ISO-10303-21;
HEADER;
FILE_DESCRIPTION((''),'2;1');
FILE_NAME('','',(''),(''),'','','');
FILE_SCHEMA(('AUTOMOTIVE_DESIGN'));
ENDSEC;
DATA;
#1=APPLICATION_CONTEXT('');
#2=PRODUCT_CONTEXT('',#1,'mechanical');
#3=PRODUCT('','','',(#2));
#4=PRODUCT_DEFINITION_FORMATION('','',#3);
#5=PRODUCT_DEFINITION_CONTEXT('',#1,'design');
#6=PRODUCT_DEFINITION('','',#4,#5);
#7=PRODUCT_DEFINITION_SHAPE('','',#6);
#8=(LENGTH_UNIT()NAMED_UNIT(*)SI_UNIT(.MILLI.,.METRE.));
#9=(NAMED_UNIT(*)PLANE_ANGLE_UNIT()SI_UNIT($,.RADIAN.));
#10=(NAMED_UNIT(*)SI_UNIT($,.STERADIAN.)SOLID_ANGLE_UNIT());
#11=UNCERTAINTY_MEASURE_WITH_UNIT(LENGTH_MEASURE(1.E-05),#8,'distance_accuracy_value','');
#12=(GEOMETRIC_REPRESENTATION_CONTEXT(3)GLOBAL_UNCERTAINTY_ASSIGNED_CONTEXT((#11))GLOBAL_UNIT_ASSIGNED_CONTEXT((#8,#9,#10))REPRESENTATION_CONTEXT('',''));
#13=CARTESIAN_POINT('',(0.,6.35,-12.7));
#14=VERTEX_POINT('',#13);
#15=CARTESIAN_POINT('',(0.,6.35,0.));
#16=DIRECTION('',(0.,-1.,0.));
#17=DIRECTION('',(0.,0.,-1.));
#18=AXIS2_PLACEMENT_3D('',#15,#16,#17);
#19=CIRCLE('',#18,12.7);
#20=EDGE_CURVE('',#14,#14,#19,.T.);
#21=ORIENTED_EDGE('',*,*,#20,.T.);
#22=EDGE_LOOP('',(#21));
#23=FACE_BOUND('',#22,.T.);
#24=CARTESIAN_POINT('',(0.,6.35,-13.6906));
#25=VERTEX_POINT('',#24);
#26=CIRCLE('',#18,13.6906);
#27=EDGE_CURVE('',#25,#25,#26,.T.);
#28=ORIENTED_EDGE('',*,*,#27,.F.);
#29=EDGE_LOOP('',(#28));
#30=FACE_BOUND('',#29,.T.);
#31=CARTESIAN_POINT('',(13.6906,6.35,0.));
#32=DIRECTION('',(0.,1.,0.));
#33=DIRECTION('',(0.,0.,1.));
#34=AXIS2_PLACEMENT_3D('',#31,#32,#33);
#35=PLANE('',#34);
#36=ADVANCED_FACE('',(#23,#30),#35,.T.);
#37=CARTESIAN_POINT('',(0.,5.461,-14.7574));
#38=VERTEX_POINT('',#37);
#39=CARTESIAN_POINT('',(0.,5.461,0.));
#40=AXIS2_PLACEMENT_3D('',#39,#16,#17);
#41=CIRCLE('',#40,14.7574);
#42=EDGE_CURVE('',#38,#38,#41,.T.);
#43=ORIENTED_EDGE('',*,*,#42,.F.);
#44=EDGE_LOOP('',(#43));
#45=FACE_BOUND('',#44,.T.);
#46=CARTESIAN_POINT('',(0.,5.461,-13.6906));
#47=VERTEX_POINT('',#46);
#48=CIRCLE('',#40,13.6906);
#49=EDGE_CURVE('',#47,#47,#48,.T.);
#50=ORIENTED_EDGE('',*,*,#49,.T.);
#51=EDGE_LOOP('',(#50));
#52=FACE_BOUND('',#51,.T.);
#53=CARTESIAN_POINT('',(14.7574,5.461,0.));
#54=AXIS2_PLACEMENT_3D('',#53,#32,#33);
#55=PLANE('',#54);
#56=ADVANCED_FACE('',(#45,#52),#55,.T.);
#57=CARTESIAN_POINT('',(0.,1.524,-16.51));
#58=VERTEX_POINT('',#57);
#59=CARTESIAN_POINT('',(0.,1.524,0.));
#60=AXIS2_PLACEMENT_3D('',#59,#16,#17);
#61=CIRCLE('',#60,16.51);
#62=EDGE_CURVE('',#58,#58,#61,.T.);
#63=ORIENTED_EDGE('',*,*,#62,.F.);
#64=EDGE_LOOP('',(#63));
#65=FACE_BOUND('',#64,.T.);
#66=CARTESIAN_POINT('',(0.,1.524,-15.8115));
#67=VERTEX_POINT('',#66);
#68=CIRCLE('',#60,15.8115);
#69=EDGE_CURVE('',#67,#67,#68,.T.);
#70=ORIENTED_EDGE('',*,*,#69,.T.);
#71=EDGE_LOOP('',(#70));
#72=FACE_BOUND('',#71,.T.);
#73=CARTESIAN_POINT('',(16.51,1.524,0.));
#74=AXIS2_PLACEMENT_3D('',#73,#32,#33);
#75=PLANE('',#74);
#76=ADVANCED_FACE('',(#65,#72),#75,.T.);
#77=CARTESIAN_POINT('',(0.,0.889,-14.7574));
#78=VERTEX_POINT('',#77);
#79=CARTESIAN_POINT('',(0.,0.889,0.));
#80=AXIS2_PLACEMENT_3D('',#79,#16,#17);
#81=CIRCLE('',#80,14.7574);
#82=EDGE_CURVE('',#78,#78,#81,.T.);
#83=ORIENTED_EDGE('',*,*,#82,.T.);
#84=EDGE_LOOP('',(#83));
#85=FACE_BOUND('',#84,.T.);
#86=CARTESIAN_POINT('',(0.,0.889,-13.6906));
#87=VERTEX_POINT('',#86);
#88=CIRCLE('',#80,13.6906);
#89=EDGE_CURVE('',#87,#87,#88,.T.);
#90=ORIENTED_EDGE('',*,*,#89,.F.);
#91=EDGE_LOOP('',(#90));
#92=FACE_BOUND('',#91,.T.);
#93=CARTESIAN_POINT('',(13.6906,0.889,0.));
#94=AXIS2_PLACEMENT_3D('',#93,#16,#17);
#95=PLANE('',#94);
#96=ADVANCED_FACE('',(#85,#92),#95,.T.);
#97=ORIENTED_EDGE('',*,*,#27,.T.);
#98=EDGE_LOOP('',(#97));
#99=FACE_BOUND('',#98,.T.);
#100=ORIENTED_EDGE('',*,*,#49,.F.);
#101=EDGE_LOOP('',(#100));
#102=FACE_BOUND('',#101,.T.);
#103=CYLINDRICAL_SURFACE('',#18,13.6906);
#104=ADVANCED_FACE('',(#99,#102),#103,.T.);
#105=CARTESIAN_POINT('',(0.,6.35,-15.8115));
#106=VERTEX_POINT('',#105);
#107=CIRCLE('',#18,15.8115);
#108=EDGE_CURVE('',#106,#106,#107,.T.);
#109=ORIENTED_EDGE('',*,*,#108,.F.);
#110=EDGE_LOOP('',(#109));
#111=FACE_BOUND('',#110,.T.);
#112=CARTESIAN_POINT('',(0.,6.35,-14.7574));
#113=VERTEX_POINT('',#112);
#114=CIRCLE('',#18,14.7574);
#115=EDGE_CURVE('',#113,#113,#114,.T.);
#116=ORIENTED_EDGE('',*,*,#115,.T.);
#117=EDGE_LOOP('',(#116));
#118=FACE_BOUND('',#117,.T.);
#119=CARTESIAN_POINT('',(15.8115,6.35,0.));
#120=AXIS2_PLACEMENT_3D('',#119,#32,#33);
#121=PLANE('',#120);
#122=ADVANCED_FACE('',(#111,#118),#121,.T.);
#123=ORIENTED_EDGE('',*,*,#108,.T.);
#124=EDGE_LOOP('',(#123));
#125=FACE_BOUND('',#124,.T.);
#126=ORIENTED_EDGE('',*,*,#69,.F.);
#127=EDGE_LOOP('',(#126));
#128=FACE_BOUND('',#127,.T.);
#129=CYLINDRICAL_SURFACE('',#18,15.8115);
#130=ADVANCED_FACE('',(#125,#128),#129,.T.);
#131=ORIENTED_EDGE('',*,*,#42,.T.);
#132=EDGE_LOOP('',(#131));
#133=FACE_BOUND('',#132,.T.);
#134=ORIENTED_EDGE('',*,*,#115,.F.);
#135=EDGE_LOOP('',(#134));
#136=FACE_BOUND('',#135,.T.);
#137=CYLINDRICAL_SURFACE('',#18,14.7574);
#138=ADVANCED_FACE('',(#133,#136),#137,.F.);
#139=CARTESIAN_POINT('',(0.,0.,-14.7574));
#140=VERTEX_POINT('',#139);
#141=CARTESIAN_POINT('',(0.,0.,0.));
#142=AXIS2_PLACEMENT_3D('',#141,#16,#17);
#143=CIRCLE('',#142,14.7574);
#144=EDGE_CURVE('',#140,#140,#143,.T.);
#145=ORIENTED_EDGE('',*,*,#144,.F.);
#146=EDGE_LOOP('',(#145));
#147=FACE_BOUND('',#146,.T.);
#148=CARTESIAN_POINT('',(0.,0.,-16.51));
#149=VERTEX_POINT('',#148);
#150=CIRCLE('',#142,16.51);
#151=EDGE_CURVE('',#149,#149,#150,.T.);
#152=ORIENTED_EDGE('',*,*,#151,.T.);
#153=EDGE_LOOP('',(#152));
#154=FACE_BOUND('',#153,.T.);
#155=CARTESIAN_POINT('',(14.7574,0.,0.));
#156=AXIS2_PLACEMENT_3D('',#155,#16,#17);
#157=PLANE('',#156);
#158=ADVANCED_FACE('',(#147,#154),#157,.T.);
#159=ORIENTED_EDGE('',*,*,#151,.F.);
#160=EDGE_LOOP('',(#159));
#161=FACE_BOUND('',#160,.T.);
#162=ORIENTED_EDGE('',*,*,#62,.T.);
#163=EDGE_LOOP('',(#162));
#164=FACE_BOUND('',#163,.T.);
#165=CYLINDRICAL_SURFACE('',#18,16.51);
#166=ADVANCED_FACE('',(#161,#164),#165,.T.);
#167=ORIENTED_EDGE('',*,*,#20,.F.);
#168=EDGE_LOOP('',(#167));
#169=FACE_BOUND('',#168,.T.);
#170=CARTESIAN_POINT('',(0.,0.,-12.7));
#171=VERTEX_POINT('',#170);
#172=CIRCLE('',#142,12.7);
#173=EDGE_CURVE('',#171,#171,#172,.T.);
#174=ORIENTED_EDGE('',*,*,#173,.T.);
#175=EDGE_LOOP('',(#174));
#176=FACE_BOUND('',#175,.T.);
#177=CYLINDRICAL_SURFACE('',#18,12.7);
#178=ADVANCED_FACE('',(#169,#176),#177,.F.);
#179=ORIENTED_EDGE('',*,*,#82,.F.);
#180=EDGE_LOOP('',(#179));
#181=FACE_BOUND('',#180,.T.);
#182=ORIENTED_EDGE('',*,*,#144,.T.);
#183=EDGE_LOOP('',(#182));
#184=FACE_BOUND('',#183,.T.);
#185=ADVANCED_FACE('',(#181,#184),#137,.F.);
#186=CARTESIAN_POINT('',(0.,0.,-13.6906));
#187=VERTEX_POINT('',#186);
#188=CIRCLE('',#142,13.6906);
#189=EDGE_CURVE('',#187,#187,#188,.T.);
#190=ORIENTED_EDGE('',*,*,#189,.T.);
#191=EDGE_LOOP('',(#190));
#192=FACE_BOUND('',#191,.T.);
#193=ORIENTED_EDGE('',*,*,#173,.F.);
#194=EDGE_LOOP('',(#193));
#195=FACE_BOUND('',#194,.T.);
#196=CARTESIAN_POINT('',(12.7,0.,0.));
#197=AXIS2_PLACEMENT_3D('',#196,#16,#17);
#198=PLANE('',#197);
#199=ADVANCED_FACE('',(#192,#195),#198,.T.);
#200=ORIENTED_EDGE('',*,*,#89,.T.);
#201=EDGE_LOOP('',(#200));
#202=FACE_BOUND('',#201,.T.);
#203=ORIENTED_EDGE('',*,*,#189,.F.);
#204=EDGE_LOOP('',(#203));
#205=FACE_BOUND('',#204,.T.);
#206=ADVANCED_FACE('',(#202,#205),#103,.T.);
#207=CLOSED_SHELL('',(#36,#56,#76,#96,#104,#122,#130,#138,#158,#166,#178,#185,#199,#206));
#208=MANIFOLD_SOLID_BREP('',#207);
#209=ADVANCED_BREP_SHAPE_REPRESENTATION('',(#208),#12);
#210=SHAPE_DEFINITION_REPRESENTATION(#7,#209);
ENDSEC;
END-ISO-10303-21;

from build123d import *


with BuildPart() as part:
    # Sketch1 → Revolve1 (revolve)
    with BuildSketch(Plane.XY):
        Polygon((16.51, 0), (16.51, 1.524), (15.8115, 1.524), (15.8115, 6.35), (14.7574, 6.35), (14.7574, 5.461), (13.6906, 5.461), (13.6906, 6.35), (12.7, 6.35), (12.7, 0), (13.6906, 0), (13.6906, 0.889), (14.7574, 0.889), (14.7574, 0), align=None)
    revolve(axis=Axis((0, 6.35, 0), (0, -1, 0)))


solid = part.part
